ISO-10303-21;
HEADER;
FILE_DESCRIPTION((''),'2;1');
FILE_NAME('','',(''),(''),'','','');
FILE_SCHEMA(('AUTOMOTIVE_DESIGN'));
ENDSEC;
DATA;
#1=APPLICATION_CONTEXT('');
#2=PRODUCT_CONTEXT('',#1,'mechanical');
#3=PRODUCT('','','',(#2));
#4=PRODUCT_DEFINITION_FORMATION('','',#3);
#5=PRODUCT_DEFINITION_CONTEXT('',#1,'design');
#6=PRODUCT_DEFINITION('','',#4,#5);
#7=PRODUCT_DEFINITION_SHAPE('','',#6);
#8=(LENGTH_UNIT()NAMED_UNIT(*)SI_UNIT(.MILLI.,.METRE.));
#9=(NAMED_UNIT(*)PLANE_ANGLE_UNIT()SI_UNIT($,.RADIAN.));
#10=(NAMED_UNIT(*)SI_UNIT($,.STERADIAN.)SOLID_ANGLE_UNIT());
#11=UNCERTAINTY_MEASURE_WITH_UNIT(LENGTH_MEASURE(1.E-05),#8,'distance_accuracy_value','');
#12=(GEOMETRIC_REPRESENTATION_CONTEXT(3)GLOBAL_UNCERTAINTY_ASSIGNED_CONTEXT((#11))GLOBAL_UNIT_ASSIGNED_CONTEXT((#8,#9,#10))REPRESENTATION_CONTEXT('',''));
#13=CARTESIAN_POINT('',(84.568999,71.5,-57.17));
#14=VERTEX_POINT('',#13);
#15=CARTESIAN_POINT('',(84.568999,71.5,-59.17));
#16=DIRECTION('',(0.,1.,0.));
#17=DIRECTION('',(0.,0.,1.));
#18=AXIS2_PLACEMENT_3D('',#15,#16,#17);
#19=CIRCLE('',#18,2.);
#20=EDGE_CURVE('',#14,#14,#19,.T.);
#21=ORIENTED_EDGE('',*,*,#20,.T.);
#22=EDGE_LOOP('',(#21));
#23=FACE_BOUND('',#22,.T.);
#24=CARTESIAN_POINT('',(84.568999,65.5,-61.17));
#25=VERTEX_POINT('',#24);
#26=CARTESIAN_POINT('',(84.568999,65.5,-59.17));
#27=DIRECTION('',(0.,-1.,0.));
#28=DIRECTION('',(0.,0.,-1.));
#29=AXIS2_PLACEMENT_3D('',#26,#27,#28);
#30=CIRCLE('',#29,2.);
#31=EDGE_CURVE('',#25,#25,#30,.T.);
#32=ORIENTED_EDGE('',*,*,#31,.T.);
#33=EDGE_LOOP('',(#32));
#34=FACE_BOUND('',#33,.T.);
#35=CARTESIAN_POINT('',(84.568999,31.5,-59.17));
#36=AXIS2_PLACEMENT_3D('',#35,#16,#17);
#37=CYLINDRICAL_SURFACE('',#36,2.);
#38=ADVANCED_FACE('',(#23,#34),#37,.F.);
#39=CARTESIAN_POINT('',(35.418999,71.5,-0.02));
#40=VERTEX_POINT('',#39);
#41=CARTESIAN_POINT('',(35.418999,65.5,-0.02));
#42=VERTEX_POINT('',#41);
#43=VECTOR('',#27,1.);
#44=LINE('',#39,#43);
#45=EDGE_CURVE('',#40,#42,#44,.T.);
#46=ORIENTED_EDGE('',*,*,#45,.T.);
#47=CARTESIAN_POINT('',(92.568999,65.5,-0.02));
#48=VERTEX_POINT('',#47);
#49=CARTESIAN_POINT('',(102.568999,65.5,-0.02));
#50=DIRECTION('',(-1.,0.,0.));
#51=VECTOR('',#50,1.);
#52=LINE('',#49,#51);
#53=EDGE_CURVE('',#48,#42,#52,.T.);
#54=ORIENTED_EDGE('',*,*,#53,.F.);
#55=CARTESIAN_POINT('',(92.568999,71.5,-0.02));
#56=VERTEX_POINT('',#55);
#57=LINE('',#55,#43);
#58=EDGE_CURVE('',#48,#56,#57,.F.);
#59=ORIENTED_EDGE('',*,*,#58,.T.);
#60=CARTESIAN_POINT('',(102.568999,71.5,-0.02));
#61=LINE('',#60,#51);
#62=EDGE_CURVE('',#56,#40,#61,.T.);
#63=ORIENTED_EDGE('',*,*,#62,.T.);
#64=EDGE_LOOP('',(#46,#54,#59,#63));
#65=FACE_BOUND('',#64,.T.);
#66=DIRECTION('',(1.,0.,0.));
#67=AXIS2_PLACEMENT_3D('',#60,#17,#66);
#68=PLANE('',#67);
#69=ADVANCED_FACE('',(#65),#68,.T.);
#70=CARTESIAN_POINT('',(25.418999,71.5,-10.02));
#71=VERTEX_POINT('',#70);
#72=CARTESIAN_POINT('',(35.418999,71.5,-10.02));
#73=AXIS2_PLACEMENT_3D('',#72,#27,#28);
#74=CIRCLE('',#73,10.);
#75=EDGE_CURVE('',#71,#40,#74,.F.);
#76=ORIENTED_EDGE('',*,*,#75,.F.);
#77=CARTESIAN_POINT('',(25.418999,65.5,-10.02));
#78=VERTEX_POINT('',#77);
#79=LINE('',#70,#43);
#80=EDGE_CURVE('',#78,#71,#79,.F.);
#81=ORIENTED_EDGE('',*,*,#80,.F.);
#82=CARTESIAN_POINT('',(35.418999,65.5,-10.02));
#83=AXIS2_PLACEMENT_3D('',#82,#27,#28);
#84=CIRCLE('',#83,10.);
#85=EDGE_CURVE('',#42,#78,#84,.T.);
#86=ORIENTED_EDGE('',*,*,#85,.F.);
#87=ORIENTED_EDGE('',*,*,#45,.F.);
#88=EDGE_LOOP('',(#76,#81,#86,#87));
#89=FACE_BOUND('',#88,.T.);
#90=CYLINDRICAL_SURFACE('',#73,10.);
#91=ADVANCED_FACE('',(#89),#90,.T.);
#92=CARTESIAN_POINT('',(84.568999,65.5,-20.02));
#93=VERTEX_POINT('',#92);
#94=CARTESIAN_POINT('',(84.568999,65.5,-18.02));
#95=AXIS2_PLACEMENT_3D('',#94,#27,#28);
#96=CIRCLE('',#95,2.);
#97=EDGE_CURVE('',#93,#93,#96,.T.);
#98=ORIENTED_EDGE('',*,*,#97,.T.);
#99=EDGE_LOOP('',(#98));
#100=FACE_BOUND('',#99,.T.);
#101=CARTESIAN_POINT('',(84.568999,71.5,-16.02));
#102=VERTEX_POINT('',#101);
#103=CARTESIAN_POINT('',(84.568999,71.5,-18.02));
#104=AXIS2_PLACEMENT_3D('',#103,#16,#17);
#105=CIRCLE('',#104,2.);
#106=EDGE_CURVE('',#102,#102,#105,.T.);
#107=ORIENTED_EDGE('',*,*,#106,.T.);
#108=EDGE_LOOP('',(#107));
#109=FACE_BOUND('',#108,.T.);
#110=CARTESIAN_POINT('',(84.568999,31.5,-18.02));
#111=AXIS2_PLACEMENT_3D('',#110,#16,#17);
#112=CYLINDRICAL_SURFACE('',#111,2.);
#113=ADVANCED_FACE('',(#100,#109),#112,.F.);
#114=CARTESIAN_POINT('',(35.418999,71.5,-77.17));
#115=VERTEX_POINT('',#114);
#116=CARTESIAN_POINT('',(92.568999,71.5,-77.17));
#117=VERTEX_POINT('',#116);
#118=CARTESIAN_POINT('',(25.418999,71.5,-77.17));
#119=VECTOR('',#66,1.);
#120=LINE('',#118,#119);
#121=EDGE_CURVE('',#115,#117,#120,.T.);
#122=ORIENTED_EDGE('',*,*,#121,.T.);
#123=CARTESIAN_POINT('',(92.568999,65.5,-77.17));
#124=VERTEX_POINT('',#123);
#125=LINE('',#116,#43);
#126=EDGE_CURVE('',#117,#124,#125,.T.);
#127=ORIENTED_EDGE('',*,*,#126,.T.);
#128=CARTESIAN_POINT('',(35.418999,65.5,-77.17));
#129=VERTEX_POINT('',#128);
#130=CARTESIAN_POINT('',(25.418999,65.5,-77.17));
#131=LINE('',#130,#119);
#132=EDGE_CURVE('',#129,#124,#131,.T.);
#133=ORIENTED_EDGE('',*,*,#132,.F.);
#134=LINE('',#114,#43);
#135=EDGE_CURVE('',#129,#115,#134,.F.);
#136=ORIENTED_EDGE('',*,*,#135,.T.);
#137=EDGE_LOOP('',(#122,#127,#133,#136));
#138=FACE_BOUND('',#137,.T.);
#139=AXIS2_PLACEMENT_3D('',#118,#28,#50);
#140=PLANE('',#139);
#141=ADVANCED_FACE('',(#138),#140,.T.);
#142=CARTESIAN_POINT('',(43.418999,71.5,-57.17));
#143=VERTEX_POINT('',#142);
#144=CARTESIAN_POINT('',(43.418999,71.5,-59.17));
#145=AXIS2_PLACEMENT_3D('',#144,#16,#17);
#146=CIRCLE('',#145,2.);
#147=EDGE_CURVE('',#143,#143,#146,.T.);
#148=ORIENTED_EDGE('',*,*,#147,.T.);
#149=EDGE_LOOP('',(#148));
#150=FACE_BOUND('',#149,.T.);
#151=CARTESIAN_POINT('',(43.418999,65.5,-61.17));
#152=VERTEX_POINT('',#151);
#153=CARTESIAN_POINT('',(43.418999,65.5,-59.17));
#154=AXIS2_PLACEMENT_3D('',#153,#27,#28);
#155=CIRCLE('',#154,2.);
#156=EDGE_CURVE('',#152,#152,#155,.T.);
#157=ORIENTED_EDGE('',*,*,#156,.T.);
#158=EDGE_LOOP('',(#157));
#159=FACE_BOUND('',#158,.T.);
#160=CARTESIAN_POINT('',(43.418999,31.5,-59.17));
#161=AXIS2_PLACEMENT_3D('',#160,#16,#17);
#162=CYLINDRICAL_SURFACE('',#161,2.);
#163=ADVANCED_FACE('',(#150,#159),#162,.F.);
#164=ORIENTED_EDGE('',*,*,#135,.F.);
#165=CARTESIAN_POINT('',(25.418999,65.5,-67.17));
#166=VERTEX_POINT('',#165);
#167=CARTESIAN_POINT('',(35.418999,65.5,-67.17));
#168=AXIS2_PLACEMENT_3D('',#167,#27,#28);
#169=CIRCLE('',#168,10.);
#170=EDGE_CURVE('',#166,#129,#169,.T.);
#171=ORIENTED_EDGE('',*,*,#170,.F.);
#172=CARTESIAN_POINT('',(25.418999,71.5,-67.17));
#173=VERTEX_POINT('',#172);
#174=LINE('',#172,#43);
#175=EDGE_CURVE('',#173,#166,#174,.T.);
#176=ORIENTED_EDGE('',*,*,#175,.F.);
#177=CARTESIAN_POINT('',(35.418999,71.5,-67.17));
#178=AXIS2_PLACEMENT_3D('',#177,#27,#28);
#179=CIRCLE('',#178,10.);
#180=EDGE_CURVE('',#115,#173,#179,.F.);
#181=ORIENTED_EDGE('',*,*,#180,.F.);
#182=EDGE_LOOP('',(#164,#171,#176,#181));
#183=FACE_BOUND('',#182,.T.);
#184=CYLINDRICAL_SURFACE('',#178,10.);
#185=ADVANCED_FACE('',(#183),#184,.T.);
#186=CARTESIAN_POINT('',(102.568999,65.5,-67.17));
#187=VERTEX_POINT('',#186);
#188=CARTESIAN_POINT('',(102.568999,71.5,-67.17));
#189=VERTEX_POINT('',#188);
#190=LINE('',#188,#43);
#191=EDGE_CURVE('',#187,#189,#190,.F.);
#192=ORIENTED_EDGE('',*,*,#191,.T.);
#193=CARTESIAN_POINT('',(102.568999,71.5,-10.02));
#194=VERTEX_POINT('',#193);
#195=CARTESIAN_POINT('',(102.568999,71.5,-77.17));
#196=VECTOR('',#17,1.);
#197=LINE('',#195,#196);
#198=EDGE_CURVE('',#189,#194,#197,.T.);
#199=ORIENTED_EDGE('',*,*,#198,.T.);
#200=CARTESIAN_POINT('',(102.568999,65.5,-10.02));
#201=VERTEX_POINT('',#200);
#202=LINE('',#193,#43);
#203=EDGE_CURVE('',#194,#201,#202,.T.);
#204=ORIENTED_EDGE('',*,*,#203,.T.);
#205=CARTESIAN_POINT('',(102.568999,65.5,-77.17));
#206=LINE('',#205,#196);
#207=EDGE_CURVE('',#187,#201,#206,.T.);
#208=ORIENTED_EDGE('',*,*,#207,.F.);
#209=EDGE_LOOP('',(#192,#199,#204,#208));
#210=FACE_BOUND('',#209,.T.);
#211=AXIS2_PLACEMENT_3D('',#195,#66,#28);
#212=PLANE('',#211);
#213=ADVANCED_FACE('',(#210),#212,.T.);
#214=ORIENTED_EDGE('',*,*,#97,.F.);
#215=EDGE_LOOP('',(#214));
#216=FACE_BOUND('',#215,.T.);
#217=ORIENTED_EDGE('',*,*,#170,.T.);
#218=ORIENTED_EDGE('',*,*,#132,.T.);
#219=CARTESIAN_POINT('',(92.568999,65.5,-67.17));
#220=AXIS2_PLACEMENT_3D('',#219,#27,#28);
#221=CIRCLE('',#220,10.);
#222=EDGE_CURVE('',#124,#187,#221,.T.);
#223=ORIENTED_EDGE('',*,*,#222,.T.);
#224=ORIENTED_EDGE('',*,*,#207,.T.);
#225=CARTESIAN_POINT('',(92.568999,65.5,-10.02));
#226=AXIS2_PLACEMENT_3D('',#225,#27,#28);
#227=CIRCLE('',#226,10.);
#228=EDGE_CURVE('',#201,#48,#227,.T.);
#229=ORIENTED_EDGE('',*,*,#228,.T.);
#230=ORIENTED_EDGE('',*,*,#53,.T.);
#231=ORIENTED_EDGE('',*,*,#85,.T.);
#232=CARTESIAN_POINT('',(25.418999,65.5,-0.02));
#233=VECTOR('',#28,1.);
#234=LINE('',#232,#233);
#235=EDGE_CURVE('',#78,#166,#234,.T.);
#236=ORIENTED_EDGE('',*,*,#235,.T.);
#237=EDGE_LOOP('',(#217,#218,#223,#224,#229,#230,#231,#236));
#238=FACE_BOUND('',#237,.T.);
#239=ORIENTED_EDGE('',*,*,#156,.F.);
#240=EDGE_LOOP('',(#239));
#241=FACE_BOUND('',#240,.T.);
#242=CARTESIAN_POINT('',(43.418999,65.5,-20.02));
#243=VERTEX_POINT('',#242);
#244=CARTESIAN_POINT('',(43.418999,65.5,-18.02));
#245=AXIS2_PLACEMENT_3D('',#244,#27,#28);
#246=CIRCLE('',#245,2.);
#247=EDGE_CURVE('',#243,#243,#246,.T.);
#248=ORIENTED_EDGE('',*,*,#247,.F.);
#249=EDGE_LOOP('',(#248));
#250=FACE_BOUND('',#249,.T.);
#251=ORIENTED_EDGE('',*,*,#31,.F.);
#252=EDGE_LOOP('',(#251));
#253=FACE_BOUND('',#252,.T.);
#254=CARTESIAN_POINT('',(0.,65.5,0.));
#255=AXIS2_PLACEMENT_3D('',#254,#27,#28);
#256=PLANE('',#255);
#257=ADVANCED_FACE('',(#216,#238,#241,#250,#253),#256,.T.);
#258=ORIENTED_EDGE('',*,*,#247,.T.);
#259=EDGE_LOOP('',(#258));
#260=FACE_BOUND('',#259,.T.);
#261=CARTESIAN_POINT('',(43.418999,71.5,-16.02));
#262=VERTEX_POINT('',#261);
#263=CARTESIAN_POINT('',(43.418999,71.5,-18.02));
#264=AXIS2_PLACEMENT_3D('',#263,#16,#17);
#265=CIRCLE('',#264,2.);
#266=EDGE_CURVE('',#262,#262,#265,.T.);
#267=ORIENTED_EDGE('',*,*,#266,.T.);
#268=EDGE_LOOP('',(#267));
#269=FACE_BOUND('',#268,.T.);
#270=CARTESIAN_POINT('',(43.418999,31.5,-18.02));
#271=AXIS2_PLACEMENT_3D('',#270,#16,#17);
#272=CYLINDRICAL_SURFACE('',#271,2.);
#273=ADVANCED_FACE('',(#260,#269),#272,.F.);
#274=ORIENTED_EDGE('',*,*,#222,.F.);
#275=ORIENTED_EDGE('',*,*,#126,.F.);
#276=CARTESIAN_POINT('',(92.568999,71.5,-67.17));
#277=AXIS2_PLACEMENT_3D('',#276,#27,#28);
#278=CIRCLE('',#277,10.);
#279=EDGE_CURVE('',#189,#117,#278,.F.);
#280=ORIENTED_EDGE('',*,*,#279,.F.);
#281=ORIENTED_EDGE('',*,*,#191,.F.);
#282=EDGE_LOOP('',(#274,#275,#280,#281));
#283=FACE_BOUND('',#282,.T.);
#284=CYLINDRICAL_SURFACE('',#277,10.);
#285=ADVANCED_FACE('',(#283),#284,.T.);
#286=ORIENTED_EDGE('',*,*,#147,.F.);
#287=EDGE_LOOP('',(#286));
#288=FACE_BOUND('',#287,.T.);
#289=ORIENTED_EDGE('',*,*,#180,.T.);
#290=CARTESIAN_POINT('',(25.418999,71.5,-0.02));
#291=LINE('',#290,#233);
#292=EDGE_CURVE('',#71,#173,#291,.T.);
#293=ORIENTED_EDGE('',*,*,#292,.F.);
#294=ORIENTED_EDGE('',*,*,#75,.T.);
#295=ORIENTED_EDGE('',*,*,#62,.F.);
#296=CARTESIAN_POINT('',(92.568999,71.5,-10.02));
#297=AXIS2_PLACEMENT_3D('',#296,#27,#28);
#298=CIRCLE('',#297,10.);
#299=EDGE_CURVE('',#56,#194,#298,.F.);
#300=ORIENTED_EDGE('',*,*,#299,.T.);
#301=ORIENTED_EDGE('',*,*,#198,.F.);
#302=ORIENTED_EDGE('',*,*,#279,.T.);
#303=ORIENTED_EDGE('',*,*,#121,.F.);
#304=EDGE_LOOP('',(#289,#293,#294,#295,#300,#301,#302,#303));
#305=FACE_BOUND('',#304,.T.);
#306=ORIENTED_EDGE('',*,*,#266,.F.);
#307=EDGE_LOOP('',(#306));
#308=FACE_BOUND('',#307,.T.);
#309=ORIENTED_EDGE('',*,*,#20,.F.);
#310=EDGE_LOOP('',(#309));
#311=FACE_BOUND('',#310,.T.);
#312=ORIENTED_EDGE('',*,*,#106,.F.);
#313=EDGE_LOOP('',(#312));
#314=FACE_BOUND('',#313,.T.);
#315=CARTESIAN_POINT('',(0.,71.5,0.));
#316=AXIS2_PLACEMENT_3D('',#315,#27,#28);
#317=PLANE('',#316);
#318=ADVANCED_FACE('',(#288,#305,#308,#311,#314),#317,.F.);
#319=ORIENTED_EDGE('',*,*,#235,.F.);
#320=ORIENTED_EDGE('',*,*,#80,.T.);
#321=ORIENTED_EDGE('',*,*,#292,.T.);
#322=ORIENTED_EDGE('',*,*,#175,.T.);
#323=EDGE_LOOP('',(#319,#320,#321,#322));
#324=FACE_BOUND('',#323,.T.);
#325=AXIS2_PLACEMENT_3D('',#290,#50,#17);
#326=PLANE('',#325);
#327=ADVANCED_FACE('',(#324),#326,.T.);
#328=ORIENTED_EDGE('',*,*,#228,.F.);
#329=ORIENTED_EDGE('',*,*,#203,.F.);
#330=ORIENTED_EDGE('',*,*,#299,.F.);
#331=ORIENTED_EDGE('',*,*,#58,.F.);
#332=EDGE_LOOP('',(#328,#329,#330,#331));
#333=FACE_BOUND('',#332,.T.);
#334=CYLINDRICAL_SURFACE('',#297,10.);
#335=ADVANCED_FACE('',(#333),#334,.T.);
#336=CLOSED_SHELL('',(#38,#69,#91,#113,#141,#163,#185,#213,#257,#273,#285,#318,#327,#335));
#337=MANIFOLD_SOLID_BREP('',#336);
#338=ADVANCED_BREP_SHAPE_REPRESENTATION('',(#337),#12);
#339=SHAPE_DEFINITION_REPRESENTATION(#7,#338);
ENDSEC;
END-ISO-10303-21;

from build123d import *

# Parameters (mm, degrees)
CROQUIS1_W              = 77.15
CROQUIS1_H              = 77.15
SALIENTE_EXTRUIR1_DEPTH = 6
CROQUIS2_R              = 2
CORTAR_EXTRUIR1_DEPTH   = 40
REDONDEO1_R             = 10


with BuildPart() as part:
    # Croquis1 → Saliente-Extruir1 (new body)
    with BuildSketch(Plane.XZ.offset(-65.5)):
        with Locations((63.993998695, -38.595)):
            Rectangle(CROQUIS1_W, CROQUIS1_H)
    extrude(amount=-SALIENTE_EXTRUIR1_DEPTH)

    # Croquis2 → Cortar-Extruir1 (cut)
    with BuildSketch(Plane(origin=(0, 71.5, 0), x_dir=(1, 0, 0), z_dir=(0, 1, 0))):
        with Locations((84.568998695, 59.17)):
            Circle(CROQUIS2_R)
        with Locations((84.568998695, 18.02)):
            Circle(CROQUIS2_R)
        with Locations((43.418998695, 18.02)):
            Circle(CROQUIS2_R)
        with Locations((43.418998695, 59.17)):
            Circle(CROQUIS2_R)
    extrude(amount=-CORTAR_EXTRUIR1_DEPTH, mode=Mode.SUBTRACT)

    # Redondeo1
    redondeo1_edges = [part.edges().sort_by_distance(p)[0] for p in [
        (25.418998695, 68.5, -0.02),
        (102.568998695, 68.5, -0.02),
        (102.568998695, 68.5, -77.17),
        (25.418998695, 68.5, -77.17),
    ]]
    fillet(redondeo1_edges, radius=REDONDEO1_R)


solid = part.part
